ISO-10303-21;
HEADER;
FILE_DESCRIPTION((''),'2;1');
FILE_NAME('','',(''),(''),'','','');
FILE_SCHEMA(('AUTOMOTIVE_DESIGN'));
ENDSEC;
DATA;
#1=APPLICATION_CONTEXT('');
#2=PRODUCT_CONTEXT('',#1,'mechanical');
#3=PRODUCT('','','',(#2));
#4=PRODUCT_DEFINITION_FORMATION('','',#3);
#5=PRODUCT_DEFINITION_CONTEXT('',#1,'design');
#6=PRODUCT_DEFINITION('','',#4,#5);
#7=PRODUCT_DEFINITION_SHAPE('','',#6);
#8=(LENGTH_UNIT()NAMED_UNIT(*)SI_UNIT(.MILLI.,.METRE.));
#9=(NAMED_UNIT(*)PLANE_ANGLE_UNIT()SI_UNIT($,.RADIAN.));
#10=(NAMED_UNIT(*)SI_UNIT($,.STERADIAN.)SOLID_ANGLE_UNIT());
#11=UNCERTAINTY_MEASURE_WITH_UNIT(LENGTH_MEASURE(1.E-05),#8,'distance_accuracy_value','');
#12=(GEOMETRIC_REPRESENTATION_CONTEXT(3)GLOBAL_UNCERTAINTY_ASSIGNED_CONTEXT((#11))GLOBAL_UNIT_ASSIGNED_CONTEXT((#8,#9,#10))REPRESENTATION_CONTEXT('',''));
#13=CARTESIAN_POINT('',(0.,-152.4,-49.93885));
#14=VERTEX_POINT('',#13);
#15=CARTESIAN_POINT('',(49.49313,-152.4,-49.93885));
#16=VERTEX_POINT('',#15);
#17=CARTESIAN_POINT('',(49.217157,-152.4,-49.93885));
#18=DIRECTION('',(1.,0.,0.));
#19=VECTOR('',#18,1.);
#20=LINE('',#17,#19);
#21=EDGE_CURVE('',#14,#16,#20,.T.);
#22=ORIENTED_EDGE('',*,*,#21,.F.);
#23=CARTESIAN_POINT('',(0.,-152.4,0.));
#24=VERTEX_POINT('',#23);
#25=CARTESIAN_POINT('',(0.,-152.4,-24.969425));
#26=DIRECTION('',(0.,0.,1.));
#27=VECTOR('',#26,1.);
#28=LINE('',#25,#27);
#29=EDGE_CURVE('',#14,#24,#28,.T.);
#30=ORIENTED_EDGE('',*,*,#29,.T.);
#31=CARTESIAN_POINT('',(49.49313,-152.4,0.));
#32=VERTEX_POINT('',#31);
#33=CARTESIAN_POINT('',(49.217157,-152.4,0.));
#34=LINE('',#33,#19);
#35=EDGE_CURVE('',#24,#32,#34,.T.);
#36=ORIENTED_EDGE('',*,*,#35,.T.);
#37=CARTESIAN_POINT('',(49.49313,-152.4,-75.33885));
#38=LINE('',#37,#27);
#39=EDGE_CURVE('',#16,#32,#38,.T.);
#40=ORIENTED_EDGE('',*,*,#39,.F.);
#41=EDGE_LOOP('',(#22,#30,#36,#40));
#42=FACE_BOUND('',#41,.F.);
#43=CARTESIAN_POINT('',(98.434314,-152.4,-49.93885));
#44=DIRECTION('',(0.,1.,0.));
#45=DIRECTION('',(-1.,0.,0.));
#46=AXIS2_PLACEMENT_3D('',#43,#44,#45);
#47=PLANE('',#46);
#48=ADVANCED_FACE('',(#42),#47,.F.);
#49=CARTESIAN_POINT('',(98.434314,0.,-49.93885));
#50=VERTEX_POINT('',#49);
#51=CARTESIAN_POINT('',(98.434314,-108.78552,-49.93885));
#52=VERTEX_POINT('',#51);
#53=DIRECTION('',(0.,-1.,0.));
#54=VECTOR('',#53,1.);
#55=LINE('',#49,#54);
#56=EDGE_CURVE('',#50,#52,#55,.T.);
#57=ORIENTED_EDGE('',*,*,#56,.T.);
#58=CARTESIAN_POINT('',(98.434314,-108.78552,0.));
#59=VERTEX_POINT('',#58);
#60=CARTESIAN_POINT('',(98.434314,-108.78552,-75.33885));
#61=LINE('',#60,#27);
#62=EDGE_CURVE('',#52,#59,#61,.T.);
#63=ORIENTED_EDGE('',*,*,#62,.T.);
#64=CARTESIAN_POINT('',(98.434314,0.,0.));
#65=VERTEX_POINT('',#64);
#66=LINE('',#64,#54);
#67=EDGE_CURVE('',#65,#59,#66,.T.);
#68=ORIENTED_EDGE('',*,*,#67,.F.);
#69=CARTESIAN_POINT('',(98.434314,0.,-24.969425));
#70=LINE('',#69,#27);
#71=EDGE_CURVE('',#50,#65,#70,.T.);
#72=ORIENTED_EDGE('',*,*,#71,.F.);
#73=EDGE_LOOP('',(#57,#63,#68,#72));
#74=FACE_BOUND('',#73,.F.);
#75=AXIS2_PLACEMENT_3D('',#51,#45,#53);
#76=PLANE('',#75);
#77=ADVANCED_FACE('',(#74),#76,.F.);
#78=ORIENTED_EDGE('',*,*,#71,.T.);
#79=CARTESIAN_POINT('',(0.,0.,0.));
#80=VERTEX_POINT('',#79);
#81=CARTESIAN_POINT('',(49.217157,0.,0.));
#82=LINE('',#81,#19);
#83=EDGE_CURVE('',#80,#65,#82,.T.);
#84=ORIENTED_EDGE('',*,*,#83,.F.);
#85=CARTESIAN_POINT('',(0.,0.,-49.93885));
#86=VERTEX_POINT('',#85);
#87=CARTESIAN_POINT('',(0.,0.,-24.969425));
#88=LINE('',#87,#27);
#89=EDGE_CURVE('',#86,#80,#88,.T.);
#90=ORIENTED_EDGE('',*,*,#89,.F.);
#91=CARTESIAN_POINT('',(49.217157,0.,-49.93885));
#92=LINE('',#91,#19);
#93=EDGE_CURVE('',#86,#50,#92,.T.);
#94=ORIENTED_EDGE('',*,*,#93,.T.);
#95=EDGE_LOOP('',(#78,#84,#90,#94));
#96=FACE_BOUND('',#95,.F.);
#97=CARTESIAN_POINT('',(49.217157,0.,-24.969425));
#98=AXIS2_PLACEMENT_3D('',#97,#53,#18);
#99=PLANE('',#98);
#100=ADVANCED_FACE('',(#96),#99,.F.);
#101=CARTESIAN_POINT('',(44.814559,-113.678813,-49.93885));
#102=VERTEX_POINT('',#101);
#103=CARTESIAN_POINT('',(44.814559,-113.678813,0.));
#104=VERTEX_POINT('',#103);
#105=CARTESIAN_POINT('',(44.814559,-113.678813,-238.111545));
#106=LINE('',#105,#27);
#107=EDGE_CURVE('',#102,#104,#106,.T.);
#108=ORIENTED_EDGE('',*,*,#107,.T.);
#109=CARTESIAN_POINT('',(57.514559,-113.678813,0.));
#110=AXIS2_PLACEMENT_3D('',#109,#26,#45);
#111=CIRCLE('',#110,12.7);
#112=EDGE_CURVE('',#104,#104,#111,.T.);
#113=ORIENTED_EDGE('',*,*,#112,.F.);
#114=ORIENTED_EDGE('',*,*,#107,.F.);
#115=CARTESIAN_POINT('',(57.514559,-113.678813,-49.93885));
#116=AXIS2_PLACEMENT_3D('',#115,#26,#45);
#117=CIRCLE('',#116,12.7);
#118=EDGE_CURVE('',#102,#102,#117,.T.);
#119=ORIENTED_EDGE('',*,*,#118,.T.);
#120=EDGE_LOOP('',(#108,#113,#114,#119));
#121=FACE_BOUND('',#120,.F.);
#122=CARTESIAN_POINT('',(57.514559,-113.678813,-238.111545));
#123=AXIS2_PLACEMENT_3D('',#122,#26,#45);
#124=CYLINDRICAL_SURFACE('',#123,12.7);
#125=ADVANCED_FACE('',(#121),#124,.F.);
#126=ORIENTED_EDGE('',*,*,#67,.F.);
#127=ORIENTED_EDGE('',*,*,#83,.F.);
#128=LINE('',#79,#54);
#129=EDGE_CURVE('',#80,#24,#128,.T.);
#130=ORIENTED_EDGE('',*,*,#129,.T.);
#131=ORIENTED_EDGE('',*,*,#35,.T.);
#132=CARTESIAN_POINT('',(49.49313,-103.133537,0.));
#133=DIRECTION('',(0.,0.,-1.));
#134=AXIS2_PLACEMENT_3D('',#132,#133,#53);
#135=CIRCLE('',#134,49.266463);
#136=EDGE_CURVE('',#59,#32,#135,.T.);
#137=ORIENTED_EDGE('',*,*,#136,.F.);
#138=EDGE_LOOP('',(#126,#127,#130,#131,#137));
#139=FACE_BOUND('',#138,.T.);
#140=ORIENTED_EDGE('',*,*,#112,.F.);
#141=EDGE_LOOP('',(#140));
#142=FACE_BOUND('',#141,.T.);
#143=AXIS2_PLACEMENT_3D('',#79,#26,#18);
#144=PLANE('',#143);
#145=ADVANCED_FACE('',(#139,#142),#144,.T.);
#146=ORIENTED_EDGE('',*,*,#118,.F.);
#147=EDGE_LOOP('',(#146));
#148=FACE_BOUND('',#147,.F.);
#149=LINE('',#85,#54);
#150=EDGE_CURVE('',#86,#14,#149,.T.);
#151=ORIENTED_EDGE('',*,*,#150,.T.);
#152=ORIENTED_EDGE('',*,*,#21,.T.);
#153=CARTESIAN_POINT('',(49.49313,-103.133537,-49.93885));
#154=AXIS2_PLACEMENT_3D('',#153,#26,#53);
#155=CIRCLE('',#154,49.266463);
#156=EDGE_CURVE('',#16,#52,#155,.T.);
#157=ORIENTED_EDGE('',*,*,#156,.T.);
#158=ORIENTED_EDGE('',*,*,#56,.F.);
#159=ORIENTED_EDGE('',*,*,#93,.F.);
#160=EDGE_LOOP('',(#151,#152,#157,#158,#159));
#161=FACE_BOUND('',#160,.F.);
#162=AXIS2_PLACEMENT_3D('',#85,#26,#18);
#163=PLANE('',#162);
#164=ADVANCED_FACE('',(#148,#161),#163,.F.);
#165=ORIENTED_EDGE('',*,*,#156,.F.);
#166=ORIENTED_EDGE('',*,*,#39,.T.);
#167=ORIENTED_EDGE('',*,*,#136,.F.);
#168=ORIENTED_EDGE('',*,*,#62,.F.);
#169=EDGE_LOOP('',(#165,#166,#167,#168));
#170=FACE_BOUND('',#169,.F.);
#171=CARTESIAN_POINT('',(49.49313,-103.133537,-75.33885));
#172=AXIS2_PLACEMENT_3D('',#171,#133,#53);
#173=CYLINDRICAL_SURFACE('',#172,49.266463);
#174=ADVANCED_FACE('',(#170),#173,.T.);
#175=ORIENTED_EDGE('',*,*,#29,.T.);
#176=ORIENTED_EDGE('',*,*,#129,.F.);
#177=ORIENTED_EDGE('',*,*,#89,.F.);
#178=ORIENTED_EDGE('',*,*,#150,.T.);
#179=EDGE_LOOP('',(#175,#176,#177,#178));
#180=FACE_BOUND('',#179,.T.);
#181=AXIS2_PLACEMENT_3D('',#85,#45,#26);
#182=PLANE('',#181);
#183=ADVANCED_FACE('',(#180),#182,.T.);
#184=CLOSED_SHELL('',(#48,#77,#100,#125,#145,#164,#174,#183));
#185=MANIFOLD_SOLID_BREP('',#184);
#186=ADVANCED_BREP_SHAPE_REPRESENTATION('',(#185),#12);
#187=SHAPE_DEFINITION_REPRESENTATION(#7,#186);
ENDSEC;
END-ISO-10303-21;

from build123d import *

# Parameters (mm, degrees)
F0_W     = 98.4343141317
F0_H     = 49.9388501048
F1_DEPTH = 152.4
F3_DEPTH = 25.4
F4_DEPTH = 101.6
F6_D     = 25.4


with BuildPart() as f1:
    # F0 (on Front) → F1 (new body)
    with BuildSketch(Plane.XZ):
        with Locations((49.2171570659, -24.9694250524)):
            Rectangle(F0_W, F0_H)
    extrude(amount=F1_DEPTH)

    # F2 (on face) → F3 (join)
    with BuildSketch(Plane(origin=(0, 0, -49.9388501048), x_dir=(1, 0, 0), z_dir=(0, 0, -1))):
        with BuildLine():
            ThreePointArc((49.4931302965, 152.4), (82.2706467442, 139.9142220829), (98.4343141317, 108.7855200338))
            Line((98.4343141317, 108.7855200338), (98.4343141317, 152.4))
            Line((98.4343141317, 152.4), (49.4931302965, 152.4))
        make_face()
    extrude(amount=F3_DEPTH)

    # F4 (cut): a face of the model
    f4_faces = [f1.faces().sort_by_distance(p)[0] for p in [
        (87.4379245135, -141.7394263284, -75.3388501048),
    ]]
    extrude(f4_faces, amount=-F4_DEPTH, mode=Mode.SUBTRACT)

    # F6 (through all)
    with Locations(Plane(origin=(0, 0, -49.9388501048), x_dir=(1, 0, 0), z_dir=(0, 0, -1))):
        with Locations((57.5145594776, 113.6788129807)):
            Hole(F6_D / 2)


solid = f1.part
